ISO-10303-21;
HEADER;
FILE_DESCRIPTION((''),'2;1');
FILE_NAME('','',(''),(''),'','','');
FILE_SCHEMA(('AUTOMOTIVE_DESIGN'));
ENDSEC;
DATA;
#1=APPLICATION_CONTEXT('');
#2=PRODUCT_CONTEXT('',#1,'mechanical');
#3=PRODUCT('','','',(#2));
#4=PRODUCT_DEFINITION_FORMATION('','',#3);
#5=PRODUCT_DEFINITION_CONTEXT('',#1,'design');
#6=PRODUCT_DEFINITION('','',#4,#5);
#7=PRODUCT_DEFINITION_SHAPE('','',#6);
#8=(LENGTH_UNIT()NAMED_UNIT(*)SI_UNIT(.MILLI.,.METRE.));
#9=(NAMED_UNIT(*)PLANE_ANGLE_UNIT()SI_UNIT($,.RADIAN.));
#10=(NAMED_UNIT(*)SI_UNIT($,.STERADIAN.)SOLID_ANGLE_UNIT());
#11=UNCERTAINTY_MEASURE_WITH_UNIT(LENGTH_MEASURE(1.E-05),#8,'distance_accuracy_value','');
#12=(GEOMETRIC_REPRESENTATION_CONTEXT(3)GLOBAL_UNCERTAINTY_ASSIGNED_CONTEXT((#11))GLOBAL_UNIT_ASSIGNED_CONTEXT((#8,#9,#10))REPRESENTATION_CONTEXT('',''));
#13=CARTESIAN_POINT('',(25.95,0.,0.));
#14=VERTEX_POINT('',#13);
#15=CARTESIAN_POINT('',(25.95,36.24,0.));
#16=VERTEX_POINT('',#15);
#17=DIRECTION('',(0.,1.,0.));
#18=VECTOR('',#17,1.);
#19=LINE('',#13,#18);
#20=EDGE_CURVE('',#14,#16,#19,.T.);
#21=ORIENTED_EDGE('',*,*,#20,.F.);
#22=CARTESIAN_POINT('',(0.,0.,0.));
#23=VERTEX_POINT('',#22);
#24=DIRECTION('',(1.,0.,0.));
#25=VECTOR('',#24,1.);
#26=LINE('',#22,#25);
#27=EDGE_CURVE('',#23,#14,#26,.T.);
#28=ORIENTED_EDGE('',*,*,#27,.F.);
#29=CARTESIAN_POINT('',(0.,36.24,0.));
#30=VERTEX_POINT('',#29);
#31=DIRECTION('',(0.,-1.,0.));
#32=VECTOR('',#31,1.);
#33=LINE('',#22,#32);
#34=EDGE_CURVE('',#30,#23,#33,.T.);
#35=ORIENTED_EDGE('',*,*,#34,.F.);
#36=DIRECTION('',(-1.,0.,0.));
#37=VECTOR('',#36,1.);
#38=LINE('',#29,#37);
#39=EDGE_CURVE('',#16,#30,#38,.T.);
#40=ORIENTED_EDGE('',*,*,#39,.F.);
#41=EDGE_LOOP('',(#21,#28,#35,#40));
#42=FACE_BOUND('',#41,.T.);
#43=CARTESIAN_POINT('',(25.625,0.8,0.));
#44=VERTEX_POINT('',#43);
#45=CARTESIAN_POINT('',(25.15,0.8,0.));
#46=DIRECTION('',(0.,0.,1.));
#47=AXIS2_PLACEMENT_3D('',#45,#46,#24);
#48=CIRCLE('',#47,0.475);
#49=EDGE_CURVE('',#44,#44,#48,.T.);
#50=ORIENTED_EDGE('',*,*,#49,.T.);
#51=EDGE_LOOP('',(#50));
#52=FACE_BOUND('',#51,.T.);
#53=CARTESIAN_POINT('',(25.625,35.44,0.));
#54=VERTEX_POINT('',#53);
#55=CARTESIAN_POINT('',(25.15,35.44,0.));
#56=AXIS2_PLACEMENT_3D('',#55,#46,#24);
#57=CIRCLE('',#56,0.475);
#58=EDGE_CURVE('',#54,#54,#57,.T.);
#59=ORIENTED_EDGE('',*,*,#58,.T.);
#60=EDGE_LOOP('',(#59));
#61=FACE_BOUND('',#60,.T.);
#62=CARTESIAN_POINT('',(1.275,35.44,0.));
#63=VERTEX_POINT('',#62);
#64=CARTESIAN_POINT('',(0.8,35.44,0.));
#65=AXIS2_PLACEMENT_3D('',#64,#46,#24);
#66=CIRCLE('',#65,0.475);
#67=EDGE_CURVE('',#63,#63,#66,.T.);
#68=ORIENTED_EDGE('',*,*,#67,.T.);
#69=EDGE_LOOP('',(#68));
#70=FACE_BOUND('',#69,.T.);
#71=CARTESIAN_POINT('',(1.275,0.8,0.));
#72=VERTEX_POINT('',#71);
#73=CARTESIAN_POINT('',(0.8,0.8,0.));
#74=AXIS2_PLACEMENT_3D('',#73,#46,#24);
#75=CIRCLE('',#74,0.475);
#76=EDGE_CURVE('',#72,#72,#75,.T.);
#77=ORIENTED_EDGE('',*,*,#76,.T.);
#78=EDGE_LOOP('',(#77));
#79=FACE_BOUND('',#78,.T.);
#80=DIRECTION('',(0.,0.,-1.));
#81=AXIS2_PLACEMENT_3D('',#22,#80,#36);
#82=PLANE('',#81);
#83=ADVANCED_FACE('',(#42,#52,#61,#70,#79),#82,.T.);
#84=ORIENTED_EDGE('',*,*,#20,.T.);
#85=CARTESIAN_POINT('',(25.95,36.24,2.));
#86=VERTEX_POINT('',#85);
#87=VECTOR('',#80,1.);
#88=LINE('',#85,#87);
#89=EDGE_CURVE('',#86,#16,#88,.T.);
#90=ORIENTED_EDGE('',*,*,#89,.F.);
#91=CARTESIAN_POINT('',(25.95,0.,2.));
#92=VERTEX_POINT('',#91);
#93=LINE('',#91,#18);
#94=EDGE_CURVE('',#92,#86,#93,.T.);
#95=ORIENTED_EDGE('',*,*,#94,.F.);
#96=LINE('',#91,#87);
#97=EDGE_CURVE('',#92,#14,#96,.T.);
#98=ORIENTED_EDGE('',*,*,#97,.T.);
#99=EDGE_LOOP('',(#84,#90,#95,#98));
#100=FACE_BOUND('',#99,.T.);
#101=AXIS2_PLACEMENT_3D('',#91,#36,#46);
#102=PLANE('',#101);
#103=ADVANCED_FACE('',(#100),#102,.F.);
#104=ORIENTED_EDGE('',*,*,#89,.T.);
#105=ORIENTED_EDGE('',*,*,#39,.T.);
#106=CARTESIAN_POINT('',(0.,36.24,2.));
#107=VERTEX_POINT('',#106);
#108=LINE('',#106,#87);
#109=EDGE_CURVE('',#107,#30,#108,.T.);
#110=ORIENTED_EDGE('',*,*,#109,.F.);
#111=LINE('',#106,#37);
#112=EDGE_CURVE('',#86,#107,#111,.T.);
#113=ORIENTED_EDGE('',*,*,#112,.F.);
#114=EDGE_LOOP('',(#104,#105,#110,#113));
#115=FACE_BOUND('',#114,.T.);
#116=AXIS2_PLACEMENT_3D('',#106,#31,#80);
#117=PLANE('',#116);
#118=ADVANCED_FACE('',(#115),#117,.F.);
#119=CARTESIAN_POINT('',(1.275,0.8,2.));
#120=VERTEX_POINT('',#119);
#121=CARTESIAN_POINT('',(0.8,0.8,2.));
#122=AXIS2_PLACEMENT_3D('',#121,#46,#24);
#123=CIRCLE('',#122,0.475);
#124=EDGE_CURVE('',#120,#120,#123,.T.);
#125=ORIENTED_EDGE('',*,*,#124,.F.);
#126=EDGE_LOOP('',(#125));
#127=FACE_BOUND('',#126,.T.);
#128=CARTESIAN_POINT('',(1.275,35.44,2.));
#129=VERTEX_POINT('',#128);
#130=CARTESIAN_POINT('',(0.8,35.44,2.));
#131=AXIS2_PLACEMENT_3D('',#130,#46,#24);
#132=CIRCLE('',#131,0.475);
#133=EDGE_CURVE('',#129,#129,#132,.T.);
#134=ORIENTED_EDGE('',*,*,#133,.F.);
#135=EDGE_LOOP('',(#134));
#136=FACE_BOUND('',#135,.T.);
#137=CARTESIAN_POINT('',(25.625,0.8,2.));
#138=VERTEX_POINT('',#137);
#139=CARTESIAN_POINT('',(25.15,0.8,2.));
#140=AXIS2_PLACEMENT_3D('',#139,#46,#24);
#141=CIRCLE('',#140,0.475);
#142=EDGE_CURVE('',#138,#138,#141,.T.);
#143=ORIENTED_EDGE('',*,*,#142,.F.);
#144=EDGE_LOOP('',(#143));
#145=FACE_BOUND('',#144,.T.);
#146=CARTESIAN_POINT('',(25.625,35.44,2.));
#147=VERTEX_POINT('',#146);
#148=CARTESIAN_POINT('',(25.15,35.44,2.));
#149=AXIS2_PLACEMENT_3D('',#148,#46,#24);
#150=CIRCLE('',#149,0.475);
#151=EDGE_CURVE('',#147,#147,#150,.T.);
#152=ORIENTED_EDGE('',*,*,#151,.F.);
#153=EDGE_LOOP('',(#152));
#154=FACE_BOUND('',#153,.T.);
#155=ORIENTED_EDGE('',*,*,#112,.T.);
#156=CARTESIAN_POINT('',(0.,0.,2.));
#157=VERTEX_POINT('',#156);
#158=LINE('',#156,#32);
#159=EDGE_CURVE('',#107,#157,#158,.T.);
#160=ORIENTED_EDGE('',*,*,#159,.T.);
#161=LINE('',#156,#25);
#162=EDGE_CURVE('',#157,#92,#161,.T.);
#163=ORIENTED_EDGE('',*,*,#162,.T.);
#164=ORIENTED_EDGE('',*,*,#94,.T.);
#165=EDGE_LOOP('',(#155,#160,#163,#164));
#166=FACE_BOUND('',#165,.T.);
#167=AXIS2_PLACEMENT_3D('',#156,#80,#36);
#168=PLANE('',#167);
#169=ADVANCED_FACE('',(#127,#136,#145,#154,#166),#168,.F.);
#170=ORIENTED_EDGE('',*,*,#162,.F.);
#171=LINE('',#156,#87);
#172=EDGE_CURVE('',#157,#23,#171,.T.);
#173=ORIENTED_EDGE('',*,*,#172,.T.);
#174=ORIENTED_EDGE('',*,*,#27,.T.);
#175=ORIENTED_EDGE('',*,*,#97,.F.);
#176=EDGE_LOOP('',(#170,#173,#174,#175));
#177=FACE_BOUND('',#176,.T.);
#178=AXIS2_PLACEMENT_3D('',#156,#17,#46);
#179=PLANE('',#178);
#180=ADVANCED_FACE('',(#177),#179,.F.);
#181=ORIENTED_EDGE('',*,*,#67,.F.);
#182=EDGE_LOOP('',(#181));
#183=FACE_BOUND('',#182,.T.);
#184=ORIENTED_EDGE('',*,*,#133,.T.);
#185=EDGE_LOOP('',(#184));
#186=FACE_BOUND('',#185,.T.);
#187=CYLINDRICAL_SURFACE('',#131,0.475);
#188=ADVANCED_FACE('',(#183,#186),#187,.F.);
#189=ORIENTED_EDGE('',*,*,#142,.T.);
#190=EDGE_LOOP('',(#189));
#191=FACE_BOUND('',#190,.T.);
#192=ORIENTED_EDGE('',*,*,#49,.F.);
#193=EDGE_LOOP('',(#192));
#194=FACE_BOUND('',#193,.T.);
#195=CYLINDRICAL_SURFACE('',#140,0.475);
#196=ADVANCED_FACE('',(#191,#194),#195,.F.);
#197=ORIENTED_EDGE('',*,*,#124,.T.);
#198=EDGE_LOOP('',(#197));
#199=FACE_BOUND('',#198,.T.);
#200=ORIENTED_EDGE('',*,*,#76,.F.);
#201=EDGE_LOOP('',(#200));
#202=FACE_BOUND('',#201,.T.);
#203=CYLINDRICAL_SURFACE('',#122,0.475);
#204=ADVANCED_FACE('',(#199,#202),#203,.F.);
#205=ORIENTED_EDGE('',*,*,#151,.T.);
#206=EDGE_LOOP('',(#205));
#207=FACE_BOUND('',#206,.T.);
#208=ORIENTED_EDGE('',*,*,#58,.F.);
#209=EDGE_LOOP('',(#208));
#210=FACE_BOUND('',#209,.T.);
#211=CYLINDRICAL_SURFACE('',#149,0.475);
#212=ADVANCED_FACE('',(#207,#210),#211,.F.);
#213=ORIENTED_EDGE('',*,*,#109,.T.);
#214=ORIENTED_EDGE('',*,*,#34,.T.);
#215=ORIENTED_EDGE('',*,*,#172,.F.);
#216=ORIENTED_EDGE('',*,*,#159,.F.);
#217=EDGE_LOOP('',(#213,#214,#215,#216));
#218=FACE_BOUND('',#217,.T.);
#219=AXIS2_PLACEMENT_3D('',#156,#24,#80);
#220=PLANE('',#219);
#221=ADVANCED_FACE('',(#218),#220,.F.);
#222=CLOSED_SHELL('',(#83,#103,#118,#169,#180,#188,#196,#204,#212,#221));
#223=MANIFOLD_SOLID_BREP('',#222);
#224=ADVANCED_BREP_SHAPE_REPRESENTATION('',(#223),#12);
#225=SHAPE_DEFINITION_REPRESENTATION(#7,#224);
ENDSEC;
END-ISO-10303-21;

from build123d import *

# Parameters (mm, degrees)
SKETCH_1_W      = 25.95
SKETCH_1_H      = 36.24
EXTRUDE_1_DEPTH = 2
M1_2X0_25_1_D   = 0.95


with BuildPart() as part:
    # 草图1 → 凸台-拉伸1 (new body)
    with BuildSketch(Plane.XY):
        with Locations((12.975, 18.12)):
            Rectangle(SKETCH_1_W, SKETCH_1_H)
    extrude(amount=EXTRUDE_1_DEPTH)

    # M1.2x0.25 螺纹孔1 (through all)
    with Locations(Plane(origin=(0.8, 0.8, 2), x_dir=(1, 0, 0), z_dir=(0, 0, 1))):
        with Locations((0, 0), (24.35, 0), (24.35, 34.64), (0, 34.64)):
            Hole(M1_2X0_25_1_D / 2)


solid = part.part
